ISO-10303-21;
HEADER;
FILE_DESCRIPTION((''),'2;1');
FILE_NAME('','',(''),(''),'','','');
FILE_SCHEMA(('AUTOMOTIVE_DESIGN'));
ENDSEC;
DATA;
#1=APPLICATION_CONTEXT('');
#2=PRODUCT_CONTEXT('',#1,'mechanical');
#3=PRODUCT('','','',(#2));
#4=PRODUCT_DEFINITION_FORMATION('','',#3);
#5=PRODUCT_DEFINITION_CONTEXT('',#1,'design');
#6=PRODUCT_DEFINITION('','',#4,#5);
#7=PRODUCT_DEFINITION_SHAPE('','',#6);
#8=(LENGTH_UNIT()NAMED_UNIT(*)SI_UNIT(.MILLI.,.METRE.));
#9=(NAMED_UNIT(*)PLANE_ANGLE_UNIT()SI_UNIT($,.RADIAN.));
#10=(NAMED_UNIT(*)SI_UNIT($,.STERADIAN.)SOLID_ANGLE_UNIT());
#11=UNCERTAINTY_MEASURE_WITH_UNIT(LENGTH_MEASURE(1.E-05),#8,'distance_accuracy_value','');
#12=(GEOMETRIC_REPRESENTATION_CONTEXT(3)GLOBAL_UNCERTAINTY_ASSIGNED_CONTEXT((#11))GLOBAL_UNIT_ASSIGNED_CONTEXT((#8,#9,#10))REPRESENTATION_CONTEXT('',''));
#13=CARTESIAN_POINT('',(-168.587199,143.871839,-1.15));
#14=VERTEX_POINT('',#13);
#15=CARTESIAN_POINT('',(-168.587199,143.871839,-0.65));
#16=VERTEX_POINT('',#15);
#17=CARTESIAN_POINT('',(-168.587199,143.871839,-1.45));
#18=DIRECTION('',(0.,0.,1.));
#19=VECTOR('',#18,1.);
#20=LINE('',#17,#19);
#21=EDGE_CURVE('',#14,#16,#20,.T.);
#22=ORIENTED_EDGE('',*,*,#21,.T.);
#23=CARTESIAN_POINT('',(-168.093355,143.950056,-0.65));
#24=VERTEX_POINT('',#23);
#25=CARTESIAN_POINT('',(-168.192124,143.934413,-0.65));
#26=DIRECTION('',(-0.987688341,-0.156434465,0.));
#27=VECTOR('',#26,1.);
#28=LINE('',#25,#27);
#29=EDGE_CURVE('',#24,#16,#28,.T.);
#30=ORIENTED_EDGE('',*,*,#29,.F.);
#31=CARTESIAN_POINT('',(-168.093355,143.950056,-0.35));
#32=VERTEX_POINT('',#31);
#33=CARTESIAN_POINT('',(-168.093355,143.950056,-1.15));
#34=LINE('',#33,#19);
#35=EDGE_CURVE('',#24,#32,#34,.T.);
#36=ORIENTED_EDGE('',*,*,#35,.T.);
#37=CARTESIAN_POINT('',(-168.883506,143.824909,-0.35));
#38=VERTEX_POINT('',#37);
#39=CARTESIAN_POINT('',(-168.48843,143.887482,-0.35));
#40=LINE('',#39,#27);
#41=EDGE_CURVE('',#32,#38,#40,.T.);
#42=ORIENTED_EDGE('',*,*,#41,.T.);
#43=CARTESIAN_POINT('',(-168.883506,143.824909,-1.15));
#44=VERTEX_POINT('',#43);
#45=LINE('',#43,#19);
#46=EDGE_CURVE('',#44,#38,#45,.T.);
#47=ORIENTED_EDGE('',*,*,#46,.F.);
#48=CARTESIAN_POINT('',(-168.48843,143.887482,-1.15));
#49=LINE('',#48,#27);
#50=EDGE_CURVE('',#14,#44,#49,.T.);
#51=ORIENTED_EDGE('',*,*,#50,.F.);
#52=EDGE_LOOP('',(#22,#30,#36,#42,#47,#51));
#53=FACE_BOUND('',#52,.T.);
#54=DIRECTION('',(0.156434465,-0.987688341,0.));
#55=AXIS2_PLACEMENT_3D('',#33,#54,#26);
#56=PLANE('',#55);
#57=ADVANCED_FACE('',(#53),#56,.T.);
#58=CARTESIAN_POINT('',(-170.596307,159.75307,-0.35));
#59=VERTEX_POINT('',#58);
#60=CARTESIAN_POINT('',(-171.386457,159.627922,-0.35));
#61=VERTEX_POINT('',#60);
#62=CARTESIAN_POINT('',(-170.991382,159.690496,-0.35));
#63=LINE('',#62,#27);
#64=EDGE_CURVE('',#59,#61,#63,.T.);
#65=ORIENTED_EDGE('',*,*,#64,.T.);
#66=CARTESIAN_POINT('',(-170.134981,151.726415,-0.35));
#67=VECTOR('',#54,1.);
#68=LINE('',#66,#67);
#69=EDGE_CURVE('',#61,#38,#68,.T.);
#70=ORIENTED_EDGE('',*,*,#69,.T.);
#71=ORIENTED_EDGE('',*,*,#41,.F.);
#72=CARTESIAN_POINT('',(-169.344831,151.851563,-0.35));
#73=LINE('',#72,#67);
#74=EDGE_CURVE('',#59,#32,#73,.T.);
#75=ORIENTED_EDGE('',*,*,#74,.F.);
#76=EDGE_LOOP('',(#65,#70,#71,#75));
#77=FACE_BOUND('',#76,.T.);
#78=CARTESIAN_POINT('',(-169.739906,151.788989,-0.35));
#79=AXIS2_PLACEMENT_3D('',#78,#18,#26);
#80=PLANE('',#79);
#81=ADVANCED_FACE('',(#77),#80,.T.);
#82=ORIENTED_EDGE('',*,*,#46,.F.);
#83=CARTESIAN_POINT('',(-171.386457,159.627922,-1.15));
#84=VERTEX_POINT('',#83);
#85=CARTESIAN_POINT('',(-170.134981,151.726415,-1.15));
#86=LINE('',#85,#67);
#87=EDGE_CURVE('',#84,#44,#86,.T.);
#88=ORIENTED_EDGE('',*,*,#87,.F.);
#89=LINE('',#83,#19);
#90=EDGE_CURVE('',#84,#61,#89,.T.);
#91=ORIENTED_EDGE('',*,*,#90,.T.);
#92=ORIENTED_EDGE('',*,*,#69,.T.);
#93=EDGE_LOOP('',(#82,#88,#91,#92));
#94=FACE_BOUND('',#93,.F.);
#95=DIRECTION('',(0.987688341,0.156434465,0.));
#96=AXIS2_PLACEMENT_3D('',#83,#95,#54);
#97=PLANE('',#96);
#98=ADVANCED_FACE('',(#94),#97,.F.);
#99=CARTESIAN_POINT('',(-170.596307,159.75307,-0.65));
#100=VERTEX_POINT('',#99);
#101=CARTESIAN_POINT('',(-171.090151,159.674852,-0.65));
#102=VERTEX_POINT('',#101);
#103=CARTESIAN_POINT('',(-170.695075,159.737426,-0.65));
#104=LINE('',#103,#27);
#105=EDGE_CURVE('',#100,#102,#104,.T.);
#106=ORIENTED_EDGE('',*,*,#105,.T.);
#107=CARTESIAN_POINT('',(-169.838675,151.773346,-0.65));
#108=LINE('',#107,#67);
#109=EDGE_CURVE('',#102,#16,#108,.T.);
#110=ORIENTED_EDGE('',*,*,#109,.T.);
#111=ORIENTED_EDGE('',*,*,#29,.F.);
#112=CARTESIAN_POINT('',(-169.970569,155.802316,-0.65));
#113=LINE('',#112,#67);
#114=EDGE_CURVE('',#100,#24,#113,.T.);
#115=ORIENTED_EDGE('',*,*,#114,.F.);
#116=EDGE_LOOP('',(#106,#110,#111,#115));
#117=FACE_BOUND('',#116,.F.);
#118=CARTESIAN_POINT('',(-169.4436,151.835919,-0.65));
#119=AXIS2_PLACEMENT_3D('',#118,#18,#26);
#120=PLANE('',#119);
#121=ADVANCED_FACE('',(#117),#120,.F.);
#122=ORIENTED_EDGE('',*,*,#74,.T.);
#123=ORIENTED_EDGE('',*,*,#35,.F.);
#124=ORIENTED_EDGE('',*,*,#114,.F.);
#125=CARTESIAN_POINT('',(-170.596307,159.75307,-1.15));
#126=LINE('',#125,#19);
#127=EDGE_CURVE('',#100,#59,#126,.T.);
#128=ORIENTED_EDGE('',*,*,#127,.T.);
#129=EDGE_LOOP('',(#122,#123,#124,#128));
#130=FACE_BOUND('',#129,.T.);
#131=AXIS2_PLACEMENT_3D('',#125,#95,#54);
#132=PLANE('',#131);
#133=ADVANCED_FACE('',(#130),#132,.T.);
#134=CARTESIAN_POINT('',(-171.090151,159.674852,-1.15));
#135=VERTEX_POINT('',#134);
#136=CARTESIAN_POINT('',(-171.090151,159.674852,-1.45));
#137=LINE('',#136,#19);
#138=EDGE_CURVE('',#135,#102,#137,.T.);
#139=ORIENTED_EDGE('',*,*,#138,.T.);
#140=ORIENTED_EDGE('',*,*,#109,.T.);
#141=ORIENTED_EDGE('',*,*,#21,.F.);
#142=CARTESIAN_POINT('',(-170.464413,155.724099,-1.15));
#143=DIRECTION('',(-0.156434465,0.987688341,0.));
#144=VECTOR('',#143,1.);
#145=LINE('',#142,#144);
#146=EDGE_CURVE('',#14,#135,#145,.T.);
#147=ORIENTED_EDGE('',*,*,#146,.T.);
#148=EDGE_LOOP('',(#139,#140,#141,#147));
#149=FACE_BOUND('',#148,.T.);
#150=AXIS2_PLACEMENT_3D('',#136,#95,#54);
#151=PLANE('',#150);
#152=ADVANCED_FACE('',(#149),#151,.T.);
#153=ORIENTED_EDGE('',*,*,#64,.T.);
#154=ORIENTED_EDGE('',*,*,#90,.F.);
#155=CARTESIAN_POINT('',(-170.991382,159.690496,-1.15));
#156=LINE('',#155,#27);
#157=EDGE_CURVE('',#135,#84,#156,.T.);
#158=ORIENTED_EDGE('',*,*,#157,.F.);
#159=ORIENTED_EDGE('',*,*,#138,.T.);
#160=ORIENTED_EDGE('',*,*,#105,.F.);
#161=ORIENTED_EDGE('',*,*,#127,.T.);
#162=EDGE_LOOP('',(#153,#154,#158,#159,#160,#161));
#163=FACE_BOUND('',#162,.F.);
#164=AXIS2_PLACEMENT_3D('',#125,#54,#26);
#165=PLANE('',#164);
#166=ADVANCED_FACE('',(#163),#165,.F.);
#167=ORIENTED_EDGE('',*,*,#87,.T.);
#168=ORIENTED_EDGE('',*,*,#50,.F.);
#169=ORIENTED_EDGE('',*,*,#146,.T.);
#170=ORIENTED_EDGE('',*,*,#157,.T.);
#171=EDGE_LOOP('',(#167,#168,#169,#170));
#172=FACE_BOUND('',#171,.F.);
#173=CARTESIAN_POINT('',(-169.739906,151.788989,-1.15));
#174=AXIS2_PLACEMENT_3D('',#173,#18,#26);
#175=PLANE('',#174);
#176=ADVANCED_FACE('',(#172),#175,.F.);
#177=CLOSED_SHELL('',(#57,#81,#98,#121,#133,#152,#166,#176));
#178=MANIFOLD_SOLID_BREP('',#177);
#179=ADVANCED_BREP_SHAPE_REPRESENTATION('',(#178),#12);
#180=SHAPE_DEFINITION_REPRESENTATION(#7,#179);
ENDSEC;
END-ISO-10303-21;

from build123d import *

# Parameters (mm, degrees)
BOX173_W               = 0.8
BOX173_H               = 16
BOX173_DEPTH           = 0.8
BOX174_W               = 0.8
BOX174_H               = 16
BOX174_DEPTH           = 0.8
CUT090_PLACEMENT_ANGLE = 189


with BuildPart() as cubo173:
    # Box173 → Box173 (new body)
    with BuildSketch(Plane.XY):
        with Locations((0.4, 8)):
            Rectangle(BOX173_W, BOX173_H)
    extrude(amount=BOX173_DEPTH)


with BuildPart() as perfil_l_2da_cara032:
    # Box174 → Box174 (new body)
    with BuildSketch(Plane(origin=(0.3, 0, 0.3), x_dir=(1, 0, 0), z_dir=(0, 0, 1))):
        with Locations((0.4, 8)):
            Rectangle(BOX174_W, BOX174_H)
    extrude(amount=BOX174_DEPTH)

    # Cut090: cut Cubo173
    add(cubo173.part, mode=Mode.SUBTRACT)


with BuildPart() as perfil_l_2da_cara032_1:
    # Cut090 placement: moved
    add(perfil_l_2da_cara032.part.moved(Location((-170.3, 159.8, -1.45))).rotate(Axis((-170.3, 159.8, -1.45), (0, 0, 1)), CUT090_PLACEMENT_ANGLE))


solid = perfil_l_2da_cara032_1.part
